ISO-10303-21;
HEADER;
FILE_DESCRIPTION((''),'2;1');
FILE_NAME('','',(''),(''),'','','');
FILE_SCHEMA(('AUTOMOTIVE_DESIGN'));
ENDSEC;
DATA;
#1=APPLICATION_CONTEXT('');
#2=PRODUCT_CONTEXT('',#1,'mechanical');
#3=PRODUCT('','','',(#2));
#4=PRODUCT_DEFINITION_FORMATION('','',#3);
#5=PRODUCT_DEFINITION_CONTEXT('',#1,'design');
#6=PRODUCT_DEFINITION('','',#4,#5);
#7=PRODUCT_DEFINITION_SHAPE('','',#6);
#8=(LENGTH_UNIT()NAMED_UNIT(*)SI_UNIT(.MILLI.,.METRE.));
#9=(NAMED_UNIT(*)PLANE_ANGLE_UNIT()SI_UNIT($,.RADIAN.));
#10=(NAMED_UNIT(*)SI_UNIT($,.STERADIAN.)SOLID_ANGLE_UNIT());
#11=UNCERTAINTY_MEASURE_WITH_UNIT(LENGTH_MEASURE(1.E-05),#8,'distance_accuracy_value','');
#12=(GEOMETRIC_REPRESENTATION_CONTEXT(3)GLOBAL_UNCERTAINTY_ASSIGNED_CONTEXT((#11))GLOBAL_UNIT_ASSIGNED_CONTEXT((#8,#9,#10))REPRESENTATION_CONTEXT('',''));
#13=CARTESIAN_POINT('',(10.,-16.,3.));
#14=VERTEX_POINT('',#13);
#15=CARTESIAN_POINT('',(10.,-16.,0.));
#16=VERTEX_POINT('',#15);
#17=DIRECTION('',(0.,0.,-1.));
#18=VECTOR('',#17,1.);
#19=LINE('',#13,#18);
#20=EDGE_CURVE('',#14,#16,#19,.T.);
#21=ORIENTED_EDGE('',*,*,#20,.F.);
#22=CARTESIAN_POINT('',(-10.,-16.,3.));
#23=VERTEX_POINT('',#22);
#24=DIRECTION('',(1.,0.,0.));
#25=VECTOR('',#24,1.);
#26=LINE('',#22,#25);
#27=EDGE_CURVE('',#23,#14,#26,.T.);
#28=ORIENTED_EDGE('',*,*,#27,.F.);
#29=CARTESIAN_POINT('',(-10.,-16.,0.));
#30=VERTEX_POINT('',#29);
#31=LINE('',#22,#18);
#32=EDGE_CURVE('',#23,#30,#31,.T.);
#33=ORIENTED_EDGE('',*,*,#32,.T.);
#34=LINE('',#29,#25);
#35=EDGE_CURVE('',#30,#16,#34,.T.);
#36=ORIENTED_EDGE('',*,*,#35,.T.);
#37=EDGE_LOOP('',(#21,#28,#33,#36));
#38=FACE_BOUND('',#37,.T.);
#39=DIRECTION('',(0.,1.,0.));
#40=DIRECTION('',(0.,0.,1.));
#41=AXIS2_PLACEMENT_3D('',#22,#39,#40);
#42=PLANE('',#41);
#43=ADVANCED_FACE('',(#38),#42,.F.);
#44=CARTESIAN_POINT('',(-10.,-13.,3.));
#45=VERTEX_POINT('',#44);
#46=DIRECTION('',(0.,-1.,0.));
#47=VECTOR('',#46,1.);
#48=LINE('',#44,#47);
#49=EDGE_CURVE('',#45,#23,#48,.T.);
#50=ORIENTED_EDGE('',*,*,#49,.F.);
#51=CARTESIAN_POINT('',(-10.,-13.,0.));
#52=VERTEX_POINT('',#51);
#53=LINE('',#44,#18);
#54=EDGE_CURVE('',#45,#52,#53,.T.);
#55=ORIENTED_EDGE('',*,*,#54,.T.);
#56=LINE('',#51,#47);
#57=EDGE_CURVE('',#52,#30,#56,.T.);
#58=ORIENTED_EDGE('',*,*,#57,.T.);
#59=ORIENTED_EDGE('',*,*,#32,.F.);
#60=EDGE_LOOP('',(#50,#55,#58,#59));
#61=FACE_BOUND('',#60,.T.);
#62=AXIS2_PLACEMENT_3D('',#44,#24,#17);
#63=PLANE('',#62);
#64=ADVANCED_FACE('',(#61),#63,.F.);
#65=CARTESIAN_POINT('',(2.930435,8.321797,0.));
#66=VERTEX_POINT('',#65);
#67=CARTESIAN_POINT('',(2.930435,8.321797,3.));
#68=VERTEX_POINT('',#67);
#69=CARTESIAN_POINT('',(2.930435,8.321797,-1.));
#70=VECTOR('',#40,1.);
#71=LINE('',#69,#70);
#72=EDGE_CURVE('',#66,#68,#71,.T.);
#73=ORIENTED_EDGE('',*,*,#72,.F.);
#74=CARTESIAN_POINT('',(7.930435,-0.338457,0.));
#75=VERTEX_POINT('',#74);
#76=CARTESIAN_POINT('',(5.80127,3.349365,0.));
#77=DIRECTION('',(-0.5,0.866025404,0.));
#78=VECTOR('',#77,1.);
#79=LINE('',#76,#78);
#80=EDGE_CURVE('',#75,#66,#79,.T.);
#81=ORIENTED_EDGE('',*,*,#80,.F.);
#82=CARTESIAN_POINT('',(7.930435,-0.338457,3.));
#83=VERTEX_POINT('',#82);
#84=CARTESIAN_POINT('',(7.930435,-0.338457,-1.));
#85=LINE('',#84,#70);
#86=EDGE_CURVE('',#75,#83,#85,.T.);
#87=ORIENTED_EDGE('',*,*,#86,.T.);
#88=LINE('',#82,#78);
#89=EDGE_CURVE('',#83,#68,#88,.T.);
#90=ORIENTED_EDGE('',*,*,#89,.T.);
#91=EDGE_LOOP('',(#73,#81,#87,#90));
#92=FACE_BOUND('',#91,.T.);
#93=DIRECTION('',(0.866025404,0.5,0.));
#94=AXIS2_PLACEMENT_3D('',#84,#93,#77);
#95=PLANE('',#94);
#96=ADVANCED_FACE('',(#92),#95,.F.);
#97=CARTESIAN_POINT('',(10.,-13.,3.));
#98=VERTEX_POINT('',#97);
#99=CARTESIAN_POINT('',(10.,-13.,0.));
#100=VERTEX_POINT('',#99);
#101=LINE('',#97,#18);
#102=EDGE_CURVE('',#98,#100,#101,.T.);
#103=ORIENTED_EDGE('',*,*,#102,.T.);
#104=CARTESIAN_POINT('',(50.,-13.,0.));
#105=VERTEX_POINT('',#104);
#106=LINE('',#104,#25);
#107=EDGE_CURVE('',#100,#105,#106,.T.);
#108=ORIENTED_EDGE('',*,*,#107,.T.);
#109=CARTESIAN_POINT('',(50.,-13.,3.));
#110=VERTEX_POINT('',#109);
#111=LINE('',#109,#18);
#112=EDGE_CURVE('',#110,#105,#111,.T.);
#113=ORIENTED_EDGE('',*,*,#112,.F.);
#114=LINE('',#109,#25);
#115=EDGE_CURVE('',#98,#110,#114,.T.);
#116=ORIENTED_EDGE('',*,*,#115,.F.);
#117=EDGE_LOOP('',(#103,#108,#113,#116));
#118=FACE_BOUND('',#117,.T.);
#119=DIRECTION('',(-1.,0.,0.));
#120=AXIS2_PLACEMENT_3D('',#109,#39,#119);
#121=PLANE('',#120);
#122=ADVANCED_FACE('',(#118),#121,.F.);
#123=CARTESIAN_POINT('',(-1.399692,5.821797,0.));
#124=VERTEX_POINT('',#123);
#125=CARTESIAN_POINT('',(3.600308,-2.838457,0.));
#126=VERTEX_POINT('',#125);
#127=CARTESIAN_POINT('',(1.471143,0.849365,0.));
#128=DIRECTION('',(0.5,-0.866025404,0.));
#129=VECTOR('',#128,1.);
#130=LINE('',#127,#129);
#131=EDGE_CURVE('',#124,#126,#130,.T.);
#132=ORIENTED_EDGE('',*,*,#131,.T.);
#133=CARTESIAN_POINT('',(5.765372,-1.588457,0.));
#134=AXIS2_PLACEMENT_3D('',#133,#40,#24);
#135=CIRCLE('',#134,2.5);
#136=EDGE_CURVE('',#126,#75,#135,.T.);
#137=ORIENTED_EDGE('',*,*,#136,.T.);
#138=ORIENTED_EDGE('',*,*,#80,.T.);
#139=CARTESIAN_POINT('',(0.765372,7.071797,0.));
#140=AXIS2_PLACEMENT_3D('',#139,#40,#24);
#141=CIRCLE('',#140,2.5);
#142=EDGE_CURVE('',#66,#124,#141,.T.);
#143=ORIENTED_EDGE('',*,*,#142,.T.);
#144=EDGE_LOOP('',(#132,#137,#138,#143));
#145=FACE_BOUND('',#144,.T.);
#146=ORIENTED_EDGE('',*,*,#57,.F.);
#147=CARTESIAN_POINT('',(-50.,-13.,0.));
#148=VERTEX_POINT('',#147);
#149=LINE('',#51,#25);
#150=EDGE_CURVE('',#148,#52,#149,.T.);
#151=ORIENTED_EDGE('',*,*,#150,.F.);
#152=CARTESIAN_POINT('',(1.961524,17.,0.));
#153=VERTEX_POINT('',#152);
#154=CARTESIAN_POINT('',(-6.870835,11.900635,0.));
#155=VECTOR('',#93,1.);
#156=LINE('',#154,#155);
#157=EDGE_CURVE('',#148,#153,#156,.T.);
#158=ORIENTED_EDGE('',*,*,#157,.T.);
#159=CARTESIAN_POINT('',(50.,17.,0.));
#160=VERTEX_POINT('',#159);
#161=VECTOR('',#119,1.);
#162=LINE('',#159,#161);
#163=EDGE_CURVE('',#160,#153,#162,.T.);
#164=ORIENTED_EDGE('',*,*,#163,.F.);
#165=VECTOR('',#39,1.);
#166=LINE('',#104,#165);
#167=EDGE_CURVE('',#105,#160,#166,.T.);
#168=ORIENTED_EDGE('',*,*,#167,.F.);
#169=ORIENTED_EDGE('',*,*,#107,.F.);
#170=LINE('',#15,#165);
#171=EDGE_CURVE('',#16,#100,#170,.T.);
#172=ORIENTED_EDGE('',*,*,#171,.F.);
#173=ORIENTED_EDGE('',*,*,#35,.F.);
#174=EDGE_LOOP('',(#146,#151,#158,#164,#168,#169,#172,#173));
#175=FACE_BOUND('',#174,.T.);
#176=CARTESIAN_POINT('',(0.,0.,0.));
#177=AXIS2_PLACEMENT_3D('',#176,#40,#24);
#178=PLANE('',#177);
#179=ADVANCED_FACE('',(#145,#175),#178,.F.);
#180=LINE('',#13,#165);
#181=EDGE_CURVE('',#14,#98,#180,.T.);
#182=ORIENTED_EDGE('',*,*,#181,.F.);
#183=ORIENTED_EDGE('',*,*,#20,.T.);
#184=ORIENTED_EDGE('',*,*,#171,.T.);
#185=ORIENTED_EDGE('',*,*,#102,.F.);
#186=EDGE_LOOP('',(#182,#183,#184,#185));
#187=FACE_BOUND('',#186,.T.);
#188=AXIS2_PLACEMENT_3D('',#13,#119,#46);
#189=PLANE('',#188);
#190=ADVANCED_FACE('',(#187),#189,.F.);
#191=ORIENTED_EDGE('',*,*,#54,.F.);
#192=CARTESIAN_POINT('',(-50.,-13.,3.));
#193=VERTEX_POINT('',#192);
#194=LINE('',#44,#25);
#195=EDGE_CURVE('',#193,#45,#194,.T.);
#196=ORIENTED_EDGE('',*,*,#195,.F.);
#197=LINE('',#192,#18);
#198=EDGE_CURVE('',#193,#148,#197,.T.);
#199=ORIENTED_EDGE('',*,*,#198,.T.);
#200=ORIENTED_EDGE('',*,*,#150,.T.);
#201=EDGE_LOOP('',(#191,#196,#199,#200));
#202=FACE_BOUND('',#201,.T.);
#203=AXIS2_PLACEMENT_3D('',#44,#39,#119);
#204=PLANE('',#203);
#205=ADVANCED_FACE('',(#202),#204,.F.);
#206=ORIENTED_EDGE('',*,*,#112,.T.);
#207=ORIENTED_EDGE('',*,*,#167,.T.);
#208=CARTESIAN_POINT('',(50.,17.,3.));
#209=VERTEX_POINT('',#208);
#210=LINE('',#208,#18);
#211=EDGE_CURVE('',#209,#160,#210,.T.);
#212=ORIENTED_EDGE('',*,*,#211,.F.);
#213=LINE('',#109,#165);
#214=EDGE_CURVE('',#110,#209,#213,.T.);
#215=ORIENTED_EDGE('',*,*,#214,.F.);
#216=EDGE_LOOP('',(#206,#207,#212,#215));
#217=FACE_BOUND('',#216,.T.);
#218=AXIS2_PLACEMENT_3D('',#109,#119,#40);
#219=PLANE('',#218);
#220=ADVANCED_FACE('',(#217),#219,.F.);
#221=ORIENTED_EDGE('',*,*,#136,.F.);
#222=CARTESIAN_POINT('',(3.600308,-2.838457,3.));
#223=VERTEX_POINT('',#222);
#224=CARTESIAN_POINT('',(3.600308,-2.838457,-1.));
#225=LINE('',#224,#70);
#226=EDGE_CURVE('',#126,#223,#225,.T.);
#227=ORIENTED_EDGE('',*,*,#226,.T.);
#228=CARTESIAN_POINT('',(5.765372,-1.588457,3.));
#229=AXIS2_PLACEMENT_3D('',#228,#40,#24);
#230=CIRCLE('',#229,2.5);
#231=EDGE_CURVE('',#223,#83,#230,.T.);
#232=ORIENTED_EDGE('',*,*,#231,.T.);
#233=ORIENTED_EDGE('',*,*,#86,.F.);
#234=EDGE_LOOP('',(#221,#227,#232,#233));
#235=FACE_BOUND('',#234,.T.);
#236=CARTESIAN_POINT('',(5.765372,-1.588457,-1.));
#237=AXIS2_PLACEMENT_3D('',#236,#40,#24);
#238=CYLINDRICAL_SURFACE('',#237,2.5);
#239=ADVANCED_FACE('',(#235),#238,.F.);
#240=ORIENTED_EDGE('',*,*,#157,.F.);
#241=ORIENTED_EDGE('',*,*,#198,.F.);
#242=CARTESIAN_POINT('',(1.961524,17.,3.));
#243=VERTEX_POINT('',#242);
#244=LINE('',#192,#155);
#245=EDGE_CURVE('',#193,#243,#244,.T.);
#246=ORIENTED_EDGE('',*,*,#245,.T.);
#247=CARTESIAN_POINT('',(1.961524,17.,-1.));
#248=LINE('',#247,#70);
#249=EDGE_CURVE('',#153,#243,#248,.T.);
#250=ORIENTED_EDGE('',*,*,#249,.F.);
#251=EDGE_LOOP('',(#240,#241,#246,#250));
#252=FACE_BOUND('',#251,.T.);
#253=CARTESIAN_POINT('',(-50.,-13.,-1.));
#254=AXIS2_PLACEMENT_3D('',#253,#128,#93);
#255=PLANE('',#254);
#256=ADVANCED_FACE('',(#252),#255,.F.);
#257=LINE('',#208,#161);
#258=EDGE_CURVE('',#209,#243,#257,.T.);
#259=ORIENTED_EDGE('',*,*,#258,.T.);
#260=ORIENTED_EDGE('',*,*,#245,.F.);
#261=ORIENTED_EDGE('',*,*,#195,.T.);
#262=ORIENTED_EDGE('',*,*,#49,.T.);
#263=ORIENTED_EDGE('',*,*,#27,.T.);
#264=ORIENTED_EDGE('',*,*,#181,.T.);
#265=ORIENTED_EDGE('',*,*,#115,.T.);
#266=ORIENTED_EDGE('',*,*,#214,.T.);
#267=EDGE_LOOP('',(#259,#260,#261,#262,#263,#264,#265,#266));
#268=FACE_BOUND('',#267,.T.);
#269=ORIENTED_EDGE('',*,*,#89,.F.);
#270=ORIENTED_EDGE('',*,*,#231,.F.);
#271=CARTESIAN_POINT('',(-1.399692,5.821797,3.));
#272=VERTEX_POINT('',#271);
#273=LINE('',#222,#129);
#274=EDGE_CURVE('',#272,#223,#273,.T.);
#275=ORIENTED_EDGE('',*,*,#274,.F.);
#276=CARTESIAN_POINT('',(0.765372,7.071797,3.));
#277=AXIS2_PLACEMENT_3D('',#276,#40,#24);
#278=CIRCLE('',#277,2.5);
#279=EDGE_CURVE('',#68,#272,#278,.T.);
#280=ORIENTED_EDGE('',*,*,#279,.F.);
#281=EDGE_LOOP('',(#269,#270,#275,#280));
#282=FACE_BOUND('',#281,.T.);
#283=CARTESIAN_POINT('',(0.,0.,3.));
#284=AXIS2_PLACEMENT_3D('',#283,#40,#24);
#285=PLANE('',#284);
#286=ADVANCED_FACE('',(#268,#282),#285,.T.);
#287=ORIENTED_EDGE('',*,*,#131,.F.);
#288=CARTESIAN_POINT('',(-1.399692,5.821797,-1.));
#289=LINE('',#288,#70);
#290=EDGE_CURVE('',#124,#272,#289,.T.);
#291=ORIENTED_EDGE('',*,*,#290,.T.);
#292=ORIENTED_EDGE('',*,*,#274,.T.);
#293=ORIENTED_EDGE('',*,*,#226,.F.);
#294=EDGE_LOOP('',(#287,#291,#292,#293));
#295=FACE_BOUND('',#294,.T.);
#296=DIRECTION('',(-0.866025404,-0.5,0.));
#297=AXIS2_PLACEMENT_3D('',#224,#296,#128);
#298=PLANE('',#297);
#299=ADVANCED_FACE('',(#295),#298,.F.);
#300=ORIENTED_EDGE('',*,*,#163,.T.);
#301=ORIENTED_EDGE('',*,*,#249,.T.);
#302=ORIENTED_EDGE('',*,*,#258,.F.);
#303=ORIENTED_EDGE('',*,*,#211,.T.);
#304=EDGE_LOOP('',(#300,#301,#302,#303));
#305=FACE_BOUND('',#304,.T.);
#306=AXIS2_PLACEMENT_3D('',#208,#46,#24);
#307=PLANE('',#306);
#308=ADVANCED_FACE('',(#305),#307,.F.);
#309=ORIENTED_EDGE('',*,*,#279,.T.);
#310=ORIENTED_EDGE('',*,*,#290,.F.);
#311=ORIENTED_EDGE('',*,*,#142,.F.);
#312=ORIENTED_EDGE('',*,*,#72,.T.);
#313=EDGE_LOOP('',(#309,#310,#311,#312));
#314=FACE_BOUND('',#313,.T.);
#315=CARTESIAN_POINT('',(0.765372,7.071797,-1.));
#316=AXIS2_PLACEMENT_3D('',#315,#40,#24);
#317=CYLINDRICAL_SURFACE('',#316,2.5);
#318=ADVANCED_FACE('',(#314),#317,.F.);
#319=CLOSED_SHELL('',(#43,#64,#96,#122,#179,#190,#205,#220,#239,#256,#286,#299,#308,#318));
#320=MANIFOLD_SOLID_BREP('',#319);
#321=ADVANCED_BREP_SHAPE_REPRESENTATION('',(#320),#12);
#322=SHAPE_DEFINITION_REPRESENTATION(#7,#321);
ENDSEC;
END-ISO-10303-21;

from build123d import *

# Parameters (mm, degrees)
BOSS_EXTRUDE1_DEPTH = 3
CUT_EXTRUDE1_DEPTH  = 4
CUT_EXTRUDE2_DEPTH  = 4


with BuildPart() as part:
    # Sketch1 → Boss-Extrude1 (new body)
    with BuildSketch(Plane.XY):
        Polygon((-10, -13), (-10, -16), (10, -16), (10, -13), (50, -13), (50, 17), (-50, 17), (-50, -13), align=None)
    extrude(amount=BOSS_EXTRUDE1_DEPTH)

    # Sketch2 → Cut-Extrude1 (cut)
    with BuildSketch(Plane.XY.offset(3)):
        Polygon((-50, -13), (1.961524227, 17), (-50, 17), align=None)
    extrude(amount=-CUT_EXTRUDE1_DEPTH, mode=Mode.SUBTRACT)

    # Sketch4 → Cut-Extrude2 (cut)
    with BuildSketch(Plane.XY.offset(3)):
        with BuildLine():
            Line((7.930435314, -0.338457268), (2.930435314, 8.32179677))
            ThreePointArc((2.930435314, 8.32179677), (-0.484628196, 9.236860279), (-1.399691705, 5.82179677))
            Line((-1.399691705, 5.82179677), (3.600308295, -2.838457268))
            ThreePointArc((3.600308295, -2.838457268), (7.015371804, -3.753520778), (7.930435314, -0.338457268))
        make_face()
    extrude(amount=-CUT_EXTRUDE2_DEPTH, mode=Mode.SUBTRACT)


solid = part.part
